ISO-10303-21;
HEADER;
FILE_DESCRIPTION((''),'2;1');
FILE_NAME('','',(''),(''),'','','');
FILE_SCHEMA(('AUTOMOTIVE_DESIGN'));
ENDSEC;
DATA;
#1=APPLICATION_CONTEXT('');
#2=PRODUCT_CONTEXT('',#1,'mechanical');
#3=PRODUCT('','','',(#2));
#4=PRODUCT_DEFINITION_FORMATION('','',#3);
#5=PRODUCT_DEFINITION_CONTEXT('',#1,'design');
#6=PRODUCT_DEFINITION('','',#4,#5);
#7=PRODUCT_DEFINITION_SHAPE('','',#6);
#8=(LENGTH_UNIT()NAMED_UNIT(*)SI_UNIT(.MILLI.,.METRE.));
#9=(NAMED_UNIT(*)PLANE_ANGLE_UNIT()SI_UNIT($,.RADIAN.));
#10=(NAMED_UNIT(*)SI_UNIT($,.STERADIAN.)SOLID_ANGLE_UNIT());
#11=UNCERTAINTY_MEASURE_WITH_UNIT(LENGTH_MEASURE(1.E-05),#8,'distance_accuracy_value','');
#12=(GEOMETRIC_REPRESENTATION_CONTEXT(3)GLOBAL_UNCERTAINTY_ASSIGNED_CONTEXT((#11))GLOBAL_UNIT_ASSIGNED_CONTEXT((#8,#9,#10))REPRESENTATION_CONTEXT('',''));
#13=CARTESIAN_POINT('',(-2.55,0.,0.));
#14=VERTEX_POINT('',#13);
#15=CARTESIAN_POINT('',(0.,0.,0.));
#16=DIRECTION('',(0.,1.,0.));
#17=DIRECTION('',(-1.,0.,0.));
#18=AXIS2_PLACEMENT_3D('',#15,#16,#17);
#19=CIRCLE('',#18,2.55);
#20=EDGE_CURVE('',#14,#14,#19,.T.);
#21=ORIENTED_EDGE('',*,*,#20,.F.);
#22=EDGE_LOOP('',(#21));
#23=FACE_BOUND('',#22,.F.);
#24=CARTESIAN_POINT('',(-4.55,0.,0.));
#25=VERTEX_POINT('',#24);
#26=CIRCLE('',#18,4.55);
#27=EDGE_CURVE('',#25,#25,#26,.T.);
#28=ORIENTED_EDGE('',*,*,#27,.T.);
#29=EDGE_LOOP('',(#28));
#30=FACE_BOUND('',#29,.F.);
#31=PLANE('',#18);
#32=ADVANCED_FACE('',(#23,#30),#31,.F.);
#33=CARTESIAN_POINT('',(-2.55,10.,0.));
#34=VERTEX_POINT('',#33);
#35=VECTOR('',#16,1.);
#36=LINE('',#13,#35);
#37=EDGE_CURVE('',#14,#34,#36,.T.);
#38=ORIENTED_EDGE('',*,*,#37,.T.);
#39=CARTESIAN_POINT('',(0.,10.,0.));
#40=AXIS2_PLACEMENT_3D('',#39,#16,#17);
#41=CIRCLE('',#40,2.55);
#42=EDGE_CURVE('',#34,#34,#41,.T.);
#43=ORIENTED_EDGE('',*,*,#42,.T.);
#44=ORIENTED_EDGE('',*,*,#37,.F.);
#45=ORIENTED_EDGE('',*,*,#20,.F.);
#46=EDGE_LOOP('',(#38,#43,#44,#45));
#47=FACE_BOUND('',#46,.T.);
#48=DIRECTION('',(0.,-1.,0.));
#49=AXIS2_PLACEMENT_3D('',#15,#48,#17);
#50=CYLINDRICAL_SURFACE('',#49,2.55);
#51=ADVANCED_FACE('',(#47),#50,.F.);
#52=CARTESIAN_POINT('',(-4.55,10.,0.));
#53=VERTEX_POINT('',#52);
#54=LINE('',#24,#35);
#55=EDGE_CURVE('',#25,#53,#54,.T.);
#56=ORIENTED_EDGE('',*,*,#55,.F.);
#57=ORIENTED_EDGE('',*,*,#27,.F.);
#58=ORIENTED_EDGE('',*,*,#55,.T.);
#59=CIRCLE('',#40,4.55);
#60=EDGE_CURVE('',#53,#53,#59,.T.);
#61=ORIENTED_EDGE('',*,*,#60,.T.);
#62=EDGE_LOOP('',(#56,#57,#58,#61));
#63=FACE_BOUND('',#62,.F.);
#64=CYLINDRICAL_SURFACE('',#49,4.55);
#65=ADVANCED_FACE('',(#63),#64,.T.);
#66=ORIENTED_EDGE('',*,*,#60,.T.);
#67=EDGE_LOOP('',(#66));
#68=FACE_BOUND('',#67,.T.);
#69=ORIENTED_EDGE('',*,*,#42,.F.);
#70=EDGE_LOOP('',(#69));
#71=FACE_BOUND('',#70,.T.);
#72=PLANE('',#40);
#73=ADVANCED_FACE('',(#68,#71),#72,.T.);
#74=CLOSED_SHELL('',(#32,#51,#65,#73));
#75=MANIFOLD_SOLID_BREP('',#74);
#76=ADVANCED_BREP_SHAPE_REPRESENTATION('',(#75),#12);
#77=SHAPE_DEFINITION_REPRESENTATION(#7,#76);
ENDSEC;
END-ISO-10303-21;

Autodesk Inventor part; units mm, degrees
ref_plane "YZ Plane" through (0, 0, 0) normal (1, 0, 0) x (0, 1, 0)
ref_plane "XZ Plane" through (0, 0, 0) normal (0, 1, 0) x (-1, 0, 0)
ref_plane "XY Plane" through (0, 0, 0) normal (0, 0, 1) x (1, 0, 0)
sketch "Sketch1" plane through (0, 0, 0) normal (0, 1, 0) x (-1, 0, 0)
  circle A0 centre (0, 0) radius 2.55
  circle A1 centre (0, 0) radius 4.55
  dimension "d0" = 5.1
  dimension "d1" = 2
extrude "Extrusion1" add sketch "Sketch1" along normal blind 10
properties part number "Prueba_Eje_Motor_1"
